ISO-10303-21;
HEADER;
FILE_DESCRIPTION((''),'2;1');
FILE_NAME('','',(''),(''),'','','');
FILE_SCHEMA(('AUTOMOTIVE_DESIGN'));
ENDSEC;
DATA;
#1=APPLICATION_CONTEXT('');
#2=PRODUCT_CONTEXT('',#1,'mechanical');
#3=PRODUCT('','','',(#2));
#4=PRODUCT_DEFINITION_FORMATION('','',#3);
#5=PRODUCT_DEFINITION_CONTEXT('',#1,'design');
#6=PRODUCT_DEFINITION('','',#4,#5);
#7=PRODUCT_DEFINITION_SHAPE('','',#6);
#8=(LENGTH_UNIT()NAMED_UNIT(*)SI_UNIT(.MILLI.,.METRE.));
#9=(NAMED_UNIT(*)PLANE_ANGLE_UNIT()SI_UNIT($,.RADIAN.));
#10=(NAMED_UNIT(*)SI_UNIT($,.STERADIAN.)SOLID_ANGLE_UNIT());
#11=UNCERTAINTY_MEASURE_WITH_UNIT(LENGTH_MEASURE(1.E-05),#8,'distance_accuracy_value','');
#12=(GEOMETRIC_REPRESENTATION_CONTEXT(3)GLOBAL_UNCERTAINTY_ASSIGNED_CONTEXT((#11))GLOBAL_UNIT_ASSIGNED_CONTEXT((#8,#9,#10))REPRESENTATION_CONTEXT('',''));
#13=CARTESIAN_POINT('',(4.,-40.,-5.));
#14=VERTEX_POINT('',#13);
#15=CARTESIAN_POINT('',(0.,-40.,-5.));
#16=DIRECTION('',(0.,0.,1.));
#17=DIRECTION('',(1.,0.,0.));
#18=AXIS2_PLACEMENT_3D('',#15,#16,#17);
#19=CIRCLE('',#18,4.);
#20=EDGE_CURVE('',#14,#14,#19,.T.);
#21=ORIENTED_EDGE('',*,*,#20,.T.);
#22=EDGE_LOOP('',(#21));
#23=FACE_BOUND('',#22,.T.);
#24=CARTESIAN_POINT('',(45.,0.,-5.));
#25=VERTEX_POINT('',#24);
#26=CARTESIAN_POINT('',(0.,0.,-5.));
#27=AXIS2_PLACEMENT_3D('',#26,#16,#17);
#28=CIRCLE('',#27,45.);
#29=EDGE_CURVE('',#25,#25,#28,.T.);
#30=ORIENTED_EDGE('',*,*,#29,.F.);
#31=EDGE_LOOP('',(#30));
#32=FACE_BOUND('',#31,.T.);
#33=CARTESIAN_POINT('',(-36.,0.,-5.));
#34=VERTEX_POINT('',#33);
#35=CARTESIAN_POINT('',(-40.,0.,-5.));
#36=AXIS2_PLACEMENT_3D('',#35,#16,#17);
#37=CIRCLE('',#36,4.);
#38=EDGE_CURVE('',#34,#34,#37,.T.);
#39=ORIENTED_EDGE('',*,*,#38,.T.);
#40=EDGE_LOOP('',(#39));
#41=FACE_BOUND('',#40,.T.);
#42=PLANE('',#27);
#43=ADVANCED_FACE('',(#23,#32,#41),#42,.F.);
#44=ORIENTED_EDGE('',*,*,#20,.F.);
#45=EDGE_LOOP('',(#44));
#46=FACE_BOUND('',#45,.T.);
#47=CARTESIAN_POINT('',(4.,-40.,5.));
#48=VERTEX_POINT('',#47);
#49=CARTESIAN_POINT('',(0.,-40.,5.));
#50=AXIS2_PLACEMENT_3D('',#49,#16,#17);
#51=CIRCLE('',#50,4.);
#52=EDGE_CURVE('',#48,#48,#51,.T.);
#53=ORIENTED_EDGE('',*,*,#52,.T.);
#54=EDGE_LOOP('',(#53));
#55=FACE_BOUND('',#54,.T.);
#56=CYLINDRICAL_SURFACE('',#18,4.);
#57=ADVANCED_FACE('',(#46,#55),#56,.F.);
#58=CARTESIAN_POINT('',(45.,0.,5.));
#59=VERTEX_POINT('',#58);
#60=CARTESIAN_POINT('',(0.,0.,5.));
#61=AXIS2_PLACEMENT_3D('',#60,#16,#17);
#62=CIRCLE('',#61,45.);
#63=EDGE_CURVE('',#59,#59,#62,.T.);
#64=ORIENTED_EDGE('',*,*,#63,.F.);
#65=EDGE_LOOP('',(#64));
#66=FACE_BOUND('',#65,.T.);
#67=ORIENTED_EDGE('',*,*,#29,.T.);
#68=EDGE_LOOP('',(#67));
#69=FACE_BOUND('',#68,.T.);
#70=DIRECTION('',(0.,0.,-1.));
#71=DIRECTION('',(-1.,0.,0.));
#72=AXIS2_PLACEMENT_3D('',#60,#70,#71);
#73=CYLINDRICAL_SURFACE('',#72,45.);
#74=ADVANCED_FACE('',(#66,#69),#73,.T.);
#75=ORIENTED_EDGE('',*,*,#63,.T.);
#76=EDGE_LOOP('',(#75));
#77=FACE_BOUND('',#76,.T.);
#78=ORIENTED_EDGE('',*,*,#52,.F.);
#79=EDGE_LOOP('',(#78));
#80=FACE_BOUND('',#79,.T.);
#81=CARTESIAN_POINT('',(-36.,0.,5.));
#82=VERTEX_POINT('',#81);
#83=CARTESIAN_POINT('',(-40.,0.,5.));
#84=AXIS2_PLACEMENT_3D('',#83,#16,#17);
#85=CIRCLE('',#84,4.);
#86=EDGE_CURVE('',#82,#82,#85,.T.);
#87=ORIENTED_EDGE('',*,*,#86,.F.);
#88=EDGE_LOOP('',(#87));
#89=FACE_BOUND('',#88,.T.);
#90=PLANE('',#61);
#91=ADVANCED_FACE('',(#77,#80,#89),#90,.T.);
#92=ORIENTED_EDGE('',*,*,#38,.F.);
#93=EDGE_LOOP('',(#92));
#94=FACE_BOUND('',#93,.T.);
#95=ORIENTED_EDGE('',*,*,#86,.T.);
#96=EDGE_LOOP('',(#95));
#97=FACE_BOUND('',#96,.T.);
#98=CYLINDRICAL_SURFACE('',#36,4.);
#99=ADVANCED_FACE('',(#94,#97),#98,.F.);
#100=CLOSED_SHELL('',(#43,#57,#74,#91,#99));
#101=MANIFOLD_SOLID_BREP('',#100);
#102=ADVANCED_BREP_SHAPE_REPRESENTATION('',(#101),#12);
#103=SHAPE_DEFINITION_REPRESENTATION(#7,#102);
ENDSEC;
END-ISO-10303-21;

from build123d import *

# Parameters (mm, degrees)
SKETCH1_R           = 45
BOSS_EXTRUDE1_DEPTH = 5
SKETCH2_R           = 4
CUT_EXTRUDE1_DEPTH  = 10


with BuildPart() as part:
    # Sketch1 → Boss-Extrude1 (new, symmetric)
    with BuildSketch(Plane.XY):
        Circle(SKETCH1_R)
    extrude(amount=BOSS_EXTRUDE1_DEPTH, both=True)

    # Sketch2 → Cut-Extrude1 (cut)
    with BuildSketch(Plane.XY.offset(5)):
        with Locations((-40, 0)):
            Circle(SKETCH2_R)
        with Locations((0, -40)):
            Circle(SKETCH2_R)
    extrude(amount=-CUT_EXTRUDE1_DEPTH, mode=Mode.SUBTRACT)


solid = part.part
